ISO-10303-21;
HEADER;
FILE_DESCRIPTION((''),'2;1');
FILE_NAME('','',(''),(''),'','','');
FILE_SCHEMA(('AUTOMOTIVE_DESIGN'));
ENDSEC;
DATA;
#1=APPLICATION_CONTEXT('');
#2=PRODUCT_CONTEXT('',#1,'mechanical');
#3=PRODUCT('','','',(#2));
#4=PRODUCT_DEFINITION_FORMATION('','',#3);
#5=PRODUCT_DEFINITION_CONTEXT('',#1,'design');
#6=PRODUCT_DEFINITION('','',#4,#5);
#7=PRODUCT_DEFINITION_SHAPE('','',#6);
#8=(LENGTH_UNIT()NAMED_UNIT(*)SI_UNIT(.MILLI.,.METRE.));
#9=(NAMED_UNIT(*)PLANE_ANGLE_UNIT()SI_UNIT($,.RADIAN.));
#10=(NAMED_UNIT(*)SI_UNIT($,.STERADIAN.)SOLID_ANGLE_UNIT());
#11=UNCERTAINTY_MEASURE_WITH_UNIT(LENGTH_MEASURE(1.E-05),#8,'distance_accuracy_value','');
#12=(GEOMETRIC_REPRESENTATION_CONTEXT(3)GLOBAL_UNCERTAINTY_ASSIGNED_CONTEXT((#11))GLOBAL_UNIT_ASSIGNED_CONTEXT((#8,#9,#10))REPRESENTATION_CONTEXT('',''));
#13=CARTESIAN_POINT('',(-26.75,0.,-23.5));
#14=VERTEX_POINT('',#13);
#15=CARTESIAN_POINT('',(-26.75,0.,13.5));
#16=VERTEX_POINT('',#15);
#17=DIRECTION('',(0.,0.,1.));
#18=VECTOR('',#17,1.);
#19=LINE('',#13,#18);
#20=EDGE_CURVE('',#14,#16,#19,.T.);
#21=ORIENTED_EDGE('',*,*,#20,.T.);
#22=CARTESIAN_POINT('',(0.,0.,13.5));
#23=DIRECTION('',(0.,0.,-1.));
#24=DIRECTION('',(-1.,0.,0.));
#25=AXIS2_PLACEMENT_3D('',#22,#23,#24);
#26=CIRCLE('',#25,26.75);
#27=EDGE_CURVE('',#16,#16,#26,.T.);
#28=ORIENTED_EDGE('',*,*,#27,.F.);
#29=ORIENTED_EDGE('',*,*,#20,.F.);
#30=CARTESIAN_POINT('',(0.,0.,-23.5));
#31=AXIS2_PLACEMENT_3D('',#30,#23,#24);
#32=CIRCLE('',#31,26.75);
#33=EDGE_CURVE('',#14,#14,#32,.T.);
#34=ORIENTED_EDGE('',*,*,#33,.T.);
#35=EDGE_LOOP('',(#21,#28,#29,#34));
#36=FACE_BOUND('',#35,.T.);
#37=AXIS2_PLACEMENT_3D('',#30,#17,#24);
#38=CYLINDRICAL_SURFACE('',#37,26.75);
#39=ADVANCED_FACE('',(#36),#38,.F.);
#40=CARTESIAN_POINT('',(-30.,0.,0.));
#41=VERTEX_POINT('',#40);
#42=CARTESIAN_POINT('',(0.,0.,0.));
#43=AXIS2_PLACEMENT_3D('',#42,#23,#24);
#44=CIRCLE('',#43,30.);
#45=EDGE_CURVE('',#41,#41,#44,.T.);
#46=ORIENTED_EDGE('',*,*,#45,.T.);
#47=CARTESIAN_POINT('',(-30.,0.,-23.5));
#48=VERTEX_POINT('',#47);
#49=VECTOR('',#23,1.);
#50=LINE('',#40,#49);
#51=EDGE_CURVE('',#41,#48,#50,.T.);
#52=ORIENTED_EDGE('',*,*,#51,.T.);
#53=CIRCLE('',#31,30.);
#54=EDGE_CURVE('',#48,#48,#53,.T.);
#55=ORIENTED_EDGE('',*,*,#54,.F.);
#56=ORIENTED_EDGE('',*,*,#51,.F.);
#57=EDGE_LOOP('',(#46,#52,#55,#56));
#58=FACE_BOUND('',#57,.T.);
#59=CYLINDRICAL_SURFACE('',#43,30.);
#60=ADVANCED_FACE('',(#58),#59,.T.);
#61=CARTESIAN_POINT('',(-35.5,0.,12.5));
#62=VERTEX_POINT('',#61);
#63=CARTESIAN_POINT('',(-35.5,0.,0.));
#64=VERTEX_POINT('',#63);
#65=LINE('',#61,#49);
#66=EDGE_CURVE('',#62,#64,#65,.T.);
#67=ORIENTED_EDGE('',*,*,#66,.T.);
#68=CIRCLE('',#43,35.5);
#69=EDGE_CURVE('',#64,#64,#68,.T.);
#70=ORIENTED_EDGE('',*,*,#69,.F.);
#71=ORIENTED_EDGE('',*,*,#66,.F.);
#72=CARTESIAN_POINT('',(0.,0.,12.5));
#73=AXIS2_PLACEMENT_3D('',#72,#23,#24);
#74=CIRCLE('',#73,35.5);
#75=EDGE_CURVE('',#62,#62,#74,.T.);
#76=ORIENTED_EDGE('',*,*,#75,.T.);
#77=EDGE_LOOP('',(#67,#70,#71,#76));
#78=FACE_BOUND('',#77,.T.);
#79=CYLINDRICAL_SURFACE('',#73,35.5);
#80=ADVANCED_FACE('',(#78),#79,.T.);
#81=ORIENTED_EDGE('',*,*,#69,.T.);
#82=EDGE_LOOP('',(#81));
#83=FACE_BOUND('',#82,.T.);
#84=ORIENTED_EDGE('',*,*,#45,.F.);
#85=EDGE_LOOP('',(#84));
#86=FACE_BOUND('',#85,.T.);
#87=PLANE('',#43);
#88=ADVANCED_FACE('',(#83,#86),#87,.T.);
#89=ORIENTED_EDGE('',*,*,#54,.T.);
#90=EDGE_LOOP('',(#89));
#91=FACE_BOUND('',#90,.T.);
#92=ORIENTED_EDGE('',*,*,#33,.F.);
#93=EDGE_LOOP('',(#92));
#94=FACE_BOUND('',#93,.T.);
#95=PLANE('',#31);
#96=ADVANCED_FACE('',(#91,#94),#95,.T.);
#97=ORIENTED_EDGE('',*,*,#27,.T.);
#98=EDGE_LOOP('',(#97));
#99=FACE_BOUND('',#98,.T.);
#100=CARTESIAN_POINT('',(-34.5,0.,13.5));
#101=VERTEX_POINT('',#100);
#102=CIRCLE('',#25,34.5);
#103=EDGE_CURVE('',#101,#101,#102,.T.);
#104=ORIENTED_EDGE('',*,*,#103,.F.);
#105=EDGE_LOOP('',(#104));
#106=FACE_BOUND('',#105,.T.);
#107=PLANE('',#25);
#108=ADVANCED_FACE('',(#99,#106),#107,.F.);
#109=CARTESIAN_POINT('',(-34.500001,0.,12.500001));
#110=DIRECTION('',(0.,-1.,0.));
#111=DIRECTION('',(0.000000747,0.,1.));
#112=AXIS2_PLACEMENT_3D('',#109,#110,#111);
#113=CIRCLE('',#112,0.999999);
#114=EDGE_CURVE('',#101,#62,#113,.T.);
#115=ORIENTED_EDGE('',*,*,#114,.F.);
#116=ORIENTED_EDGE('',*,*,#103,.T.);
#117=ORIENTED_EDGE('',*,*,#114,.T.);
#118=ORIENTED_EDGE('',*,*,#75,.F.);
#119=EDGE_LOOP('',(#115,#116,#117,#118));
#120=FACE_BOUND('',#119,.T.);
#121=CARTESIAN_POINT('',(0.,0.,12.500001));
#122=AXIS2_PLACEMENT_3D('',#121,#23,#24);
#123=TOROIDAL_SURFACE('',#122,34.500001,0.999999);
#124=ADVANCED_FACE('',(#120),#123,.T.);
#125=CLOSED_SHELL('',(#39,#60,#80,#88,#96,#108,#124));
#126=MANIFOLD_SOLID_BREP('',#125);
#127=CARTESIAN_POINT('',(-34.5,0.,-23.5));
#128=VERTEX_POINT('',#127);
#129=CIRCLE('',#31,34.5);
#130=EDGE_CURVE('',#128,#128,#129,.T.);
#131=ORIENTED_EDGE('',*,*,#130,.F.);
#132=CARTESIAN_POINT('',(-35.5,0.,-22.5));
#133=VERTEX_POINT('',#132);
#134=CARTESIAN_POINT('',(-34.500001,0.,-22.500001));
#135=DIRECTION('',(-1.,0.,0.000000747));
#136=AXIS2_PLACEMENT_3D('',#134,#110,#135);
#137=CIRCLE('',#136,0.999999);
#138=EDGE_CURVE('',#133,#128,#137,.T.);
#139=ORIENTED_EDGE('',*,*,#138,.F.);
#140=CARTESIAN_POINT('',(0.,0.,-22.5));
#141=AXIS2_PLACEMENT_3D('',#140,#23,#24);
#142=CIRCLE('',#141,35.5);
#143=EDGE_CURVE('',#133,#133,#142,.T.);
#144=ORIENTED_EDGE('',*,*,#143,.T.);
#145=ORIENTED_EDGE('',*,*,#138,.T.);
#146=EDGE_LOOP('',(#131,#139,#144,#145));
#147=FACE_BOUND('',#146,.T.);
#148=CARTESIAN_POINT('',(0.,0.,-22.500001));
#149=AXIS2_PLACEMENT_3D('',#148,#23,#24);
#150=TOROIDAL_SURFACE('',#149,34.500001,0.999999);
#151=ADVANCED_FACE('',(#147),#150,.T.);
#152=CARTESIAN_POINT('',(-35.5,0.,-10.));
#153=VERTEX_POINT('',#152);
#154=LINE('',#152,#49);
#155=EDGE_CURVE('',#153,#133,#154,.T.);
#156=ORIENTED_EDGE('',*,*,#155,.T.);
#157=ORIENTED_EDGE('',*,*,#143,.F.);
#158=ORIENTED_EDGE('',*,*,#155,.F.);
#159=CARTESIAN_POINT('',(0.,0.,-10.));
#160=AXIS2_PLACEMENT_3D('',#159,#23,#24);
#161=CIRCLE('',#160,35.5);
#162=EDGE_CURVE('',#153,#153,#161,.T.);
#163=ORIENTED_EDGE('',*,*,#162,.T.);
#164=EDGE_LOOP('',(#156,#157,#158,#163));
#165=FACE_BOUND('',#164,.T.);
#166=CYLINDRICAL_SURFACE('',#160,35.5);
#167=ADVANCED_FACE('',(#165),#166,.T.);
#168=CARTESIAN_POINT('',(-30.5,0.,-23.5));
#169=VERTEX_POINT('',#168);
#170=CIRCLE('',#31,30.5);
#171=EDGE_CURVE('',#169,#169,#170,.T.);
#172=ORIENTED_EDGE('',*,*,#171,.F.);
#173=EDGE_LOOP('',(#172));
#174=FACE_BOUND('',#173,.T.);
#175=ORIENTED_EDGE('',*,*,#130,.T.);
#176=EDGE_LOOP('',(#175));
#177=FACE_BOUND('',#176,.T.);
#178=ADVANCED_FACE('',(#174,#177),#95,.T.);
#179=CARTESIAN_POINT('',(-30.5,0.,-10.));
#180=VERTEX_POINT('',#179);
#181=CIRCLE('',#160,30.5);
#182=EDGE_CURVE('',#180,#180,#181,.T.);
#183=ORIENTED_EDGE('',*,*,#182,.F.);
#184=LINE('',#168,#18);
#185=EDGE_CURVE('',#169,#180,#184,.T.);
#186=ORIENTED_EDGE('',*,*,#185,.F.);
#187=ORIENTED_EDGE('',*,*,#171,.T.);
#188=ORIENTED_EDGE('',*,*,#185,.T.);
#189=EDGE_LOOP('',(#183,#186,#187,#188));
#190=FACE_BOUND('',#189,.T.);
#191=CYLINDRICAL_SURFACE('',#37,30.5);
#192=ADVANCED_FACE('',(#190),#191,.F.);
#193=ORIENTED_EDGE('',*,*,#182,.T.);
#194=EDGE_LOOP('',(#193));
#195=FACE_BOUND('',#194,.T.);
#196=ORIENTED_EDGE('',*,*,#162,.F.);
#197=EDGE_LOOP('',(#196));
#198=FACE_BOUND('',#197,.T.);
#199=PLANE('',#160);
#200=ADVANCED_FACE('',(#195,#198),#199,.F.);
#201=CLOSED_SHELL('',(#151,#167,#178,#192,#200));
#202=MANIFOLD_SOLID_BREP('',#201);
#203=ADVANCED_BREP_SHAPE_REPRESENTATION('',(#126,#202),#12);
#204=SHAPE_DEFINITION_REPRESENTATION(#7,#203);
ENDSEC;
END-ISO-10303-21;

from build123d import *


with BuildPart() as f1:
    # F0 (on Front) → F1 (revolve)
    with BuildSketch(Plane.XZ):
        with BuildLine():
            Line((-35.5, 12.5), (-35.5, 0))
            Line((-35.5, 0), (-30, 0))
            Line((-30, 0), (-30, -23.5))
            Line((-30, -23.5), (-26.75, -23.5))
            Line((-26.75, -23.5), (-26.75, 13.5))
            Line((-26.75, 13.5), (-34.5, 13.5))
            ThreePointArc((-34.5, 13.5), (-35.207107, 13.207107), (-35.5, 12.5))
        make_face()
        with BuildLine():
            Line((-30.5, -23.5), (-30.5, -10))
            Line((-30.5, -10), (-35.5, -10))
            Line((-35.5, -10), (-35.5, -22.5))
            ThreePointArc((-35.5, -22.5), (-35.207107, -23.207107), (-34.5, -23.5))
            Line((-34.5, -23.5), (-30.5, -23.5))
        make_face()
    revolve(axis=Axis((0, 0, -0.243519), (0, 0, -1)))


solid = f1.part
